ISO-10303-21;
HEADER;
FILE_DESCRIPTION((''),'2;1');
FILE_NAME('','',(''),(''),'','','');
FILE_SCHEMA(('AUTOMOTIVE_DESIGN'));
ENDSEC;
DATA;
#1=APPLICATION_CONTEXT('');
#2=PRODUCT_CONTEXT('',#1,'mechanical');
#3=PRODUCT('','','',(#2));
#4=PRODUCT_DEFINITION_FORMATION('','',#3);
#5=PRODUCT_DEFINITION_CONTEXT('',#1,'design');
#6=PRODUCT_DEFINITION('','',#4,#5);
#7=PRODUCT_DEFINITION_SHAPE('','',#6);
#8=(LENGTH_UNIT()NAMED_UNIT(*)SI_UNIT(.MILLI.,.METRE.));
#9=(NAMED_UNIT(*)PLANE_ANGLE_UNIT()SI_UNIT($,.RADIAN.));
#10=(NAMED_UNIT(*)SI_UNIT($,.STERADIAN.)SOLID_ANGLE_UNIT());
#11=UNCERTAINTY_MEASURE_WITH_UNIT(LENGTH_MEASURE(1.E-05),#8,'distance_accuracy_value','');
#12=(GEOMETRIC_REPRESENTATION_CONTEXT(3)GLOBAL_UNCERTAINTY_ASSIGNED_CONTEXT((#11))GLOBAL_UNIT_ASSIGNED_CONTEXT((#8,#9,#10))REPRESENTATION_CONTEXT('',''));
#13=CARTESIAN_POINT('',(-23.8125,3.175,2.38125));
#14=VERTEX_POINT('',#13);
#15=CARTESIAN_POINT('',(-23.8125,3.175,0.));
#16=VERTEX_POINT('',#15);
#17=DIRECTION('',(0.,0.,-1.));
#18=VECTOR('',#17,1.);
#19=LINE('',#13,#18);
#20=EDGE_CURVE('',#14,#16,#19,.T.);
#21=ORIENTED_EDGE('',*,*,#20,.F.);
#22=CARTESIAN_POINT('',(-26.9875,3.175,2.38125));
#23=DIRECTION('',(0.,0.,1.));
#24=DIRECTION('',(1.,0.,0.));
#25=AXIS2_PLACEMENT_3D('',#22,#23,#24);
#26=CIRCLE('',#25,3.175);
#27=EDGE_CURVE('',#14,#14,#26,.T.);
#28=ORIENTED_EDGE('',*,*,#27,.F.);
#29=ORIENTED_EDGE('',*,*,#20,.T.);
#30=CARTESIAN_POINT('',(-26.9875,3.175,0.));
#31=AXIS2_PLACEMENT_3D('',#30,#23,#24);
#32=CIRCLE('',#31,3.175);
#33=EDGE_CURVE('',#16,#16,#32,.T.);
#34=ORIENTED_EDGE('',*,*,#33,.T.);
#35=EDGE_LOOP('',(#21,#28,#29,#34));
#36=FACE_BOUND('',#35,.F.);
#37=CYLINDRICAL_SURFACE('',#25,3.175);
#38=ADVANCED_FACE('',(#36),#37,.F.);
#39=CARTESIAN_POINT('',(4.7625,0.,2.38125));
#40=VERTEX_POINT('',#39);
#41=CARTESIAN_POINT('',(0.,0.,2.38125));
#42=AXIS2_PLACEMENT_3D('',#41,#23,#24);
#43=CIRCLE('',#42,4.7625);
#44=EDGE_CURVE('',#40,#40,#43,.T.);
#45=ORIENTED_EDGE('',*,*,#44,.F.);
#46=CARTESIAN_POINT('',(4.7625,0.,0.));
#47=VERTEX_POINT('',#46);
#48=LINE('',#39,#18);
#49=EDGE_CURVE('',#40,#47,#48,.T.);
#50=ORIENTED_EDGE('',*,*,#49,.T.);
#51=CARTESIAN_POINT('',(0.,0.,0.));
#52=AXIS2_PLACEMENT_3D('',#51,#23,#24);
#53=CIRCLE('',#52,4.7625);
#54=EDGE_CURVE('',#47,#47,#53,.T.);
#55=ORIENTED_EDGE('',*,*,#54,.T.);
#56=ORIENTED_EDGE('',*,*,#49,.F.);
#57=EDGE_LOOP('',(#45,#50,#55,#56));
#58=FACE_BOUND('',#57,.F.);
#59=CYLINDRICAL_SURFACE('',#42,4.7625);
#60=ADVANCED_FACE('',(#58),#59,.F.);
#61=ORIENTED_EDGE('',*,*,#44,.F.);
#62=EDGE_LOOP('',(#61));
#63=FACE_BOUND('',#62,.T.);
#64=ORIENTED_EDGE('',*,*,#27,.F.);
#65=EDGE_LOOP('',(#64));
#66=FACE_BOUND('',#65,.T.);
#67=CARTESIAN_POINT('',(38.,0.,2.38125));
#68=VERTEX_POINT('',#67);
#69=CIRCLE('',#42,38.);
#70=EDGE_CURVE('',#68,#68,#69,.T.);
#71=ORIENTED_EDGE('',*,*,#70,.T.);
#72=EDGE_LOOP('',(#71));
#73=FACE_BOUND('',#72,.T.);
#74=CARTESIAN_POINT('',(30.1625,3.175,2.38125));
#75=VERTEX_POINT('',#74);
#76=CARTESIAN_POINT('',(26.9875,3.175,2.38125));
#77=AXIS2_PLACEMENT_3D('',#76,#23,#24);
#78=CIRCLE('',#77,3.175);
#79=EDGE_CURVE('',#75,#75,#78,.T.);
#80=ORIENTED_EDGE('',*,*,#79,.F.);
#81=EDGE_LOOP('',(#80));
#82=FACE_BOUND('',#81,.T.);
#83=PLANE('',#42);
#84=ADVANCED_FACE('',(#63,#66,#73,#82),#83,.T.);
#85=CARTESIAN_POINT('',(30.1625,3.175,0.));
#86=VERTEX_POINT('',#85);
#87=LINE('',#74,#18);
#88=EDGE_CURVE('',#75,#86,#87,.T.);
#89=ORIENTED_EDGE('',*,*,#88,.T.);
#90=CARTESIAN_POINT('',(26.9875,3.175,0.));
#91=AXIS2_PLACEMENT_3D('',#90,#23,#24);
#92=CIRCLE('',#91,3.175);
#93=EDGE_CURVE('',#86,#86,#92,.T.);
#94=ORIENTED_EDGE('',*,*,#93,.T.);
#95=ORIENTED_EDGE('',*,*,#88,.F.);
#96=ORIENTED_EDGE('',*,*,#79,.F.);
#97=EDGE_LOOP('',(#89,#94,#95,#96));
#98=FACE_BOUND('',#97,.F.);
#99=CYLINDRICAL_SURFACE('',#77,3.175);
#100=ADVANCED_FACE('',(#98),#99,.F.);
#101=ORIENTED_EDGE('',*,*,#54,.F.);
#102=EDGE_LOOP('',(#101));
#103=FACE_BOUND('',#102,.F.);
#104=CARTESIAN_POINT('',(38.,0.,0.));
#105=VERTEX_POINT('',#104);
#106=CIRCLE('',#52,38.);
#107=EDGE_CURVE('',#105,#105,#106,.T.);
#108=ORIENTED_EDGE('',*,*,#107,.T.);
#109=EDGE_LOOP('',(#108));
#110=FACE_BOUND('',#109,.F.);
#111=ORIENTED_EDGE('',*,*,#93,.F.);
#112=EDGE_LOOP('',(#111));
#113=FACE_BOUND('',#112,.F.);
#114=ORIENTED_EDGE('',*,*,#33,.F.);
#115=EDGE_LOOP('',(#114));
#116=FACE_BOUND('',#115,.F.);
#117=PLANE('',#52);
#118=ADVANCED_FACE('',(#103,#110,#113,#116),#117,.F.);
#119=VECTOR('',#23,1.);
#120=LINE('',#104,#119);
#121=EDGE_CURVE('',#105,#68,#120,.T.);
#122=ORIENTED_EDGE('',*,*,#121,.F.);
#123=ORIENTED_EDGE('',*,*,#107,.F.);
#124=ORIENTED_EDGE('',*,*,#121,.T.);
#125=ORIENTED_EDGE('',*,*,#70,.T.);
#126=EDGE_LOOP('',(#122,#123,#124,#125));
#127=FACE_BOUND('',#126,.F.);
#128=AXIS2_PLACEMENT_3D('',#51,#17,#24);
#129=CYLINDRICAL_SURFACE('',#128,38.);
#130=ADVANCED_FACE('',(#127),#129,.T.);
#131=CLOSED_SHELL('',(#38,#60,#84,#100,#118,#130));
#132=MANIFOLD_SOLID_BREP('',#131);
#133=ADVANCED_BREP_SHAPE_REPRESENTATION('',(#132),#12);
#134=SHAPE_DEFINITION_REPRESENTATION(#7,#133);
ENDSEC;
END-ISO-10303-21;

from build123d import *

# Parameters (mm, degrees)
F0_R     = 38
F1_DEPTH = 2.38125
F2_R     = 4.7625
F2_R_2   = 3.175
F3_DEPTH = 25.4


with BuildPart() as f1:
    # F0 (on Top) → F1 (new body)
    with BuildSketch(Plane.XY):
        Circle(F0_R)
    extrude(amount=F1_DEPTH)

    # F2 (on face) → F3 (cut)
    with BuildSketch(Plane.XY.offset(2.38125)):
        Circle(F2_R)
        with Locations((26.9875, 3.175)):
            Circle(F2_R_2)
        with Locations((-26.9875, 3.175)):
            Circle(F2_R_2)
    extrude(amount=-F3_DEPTH, mode=Mode.SUBTRACT)


solid = f1.part
